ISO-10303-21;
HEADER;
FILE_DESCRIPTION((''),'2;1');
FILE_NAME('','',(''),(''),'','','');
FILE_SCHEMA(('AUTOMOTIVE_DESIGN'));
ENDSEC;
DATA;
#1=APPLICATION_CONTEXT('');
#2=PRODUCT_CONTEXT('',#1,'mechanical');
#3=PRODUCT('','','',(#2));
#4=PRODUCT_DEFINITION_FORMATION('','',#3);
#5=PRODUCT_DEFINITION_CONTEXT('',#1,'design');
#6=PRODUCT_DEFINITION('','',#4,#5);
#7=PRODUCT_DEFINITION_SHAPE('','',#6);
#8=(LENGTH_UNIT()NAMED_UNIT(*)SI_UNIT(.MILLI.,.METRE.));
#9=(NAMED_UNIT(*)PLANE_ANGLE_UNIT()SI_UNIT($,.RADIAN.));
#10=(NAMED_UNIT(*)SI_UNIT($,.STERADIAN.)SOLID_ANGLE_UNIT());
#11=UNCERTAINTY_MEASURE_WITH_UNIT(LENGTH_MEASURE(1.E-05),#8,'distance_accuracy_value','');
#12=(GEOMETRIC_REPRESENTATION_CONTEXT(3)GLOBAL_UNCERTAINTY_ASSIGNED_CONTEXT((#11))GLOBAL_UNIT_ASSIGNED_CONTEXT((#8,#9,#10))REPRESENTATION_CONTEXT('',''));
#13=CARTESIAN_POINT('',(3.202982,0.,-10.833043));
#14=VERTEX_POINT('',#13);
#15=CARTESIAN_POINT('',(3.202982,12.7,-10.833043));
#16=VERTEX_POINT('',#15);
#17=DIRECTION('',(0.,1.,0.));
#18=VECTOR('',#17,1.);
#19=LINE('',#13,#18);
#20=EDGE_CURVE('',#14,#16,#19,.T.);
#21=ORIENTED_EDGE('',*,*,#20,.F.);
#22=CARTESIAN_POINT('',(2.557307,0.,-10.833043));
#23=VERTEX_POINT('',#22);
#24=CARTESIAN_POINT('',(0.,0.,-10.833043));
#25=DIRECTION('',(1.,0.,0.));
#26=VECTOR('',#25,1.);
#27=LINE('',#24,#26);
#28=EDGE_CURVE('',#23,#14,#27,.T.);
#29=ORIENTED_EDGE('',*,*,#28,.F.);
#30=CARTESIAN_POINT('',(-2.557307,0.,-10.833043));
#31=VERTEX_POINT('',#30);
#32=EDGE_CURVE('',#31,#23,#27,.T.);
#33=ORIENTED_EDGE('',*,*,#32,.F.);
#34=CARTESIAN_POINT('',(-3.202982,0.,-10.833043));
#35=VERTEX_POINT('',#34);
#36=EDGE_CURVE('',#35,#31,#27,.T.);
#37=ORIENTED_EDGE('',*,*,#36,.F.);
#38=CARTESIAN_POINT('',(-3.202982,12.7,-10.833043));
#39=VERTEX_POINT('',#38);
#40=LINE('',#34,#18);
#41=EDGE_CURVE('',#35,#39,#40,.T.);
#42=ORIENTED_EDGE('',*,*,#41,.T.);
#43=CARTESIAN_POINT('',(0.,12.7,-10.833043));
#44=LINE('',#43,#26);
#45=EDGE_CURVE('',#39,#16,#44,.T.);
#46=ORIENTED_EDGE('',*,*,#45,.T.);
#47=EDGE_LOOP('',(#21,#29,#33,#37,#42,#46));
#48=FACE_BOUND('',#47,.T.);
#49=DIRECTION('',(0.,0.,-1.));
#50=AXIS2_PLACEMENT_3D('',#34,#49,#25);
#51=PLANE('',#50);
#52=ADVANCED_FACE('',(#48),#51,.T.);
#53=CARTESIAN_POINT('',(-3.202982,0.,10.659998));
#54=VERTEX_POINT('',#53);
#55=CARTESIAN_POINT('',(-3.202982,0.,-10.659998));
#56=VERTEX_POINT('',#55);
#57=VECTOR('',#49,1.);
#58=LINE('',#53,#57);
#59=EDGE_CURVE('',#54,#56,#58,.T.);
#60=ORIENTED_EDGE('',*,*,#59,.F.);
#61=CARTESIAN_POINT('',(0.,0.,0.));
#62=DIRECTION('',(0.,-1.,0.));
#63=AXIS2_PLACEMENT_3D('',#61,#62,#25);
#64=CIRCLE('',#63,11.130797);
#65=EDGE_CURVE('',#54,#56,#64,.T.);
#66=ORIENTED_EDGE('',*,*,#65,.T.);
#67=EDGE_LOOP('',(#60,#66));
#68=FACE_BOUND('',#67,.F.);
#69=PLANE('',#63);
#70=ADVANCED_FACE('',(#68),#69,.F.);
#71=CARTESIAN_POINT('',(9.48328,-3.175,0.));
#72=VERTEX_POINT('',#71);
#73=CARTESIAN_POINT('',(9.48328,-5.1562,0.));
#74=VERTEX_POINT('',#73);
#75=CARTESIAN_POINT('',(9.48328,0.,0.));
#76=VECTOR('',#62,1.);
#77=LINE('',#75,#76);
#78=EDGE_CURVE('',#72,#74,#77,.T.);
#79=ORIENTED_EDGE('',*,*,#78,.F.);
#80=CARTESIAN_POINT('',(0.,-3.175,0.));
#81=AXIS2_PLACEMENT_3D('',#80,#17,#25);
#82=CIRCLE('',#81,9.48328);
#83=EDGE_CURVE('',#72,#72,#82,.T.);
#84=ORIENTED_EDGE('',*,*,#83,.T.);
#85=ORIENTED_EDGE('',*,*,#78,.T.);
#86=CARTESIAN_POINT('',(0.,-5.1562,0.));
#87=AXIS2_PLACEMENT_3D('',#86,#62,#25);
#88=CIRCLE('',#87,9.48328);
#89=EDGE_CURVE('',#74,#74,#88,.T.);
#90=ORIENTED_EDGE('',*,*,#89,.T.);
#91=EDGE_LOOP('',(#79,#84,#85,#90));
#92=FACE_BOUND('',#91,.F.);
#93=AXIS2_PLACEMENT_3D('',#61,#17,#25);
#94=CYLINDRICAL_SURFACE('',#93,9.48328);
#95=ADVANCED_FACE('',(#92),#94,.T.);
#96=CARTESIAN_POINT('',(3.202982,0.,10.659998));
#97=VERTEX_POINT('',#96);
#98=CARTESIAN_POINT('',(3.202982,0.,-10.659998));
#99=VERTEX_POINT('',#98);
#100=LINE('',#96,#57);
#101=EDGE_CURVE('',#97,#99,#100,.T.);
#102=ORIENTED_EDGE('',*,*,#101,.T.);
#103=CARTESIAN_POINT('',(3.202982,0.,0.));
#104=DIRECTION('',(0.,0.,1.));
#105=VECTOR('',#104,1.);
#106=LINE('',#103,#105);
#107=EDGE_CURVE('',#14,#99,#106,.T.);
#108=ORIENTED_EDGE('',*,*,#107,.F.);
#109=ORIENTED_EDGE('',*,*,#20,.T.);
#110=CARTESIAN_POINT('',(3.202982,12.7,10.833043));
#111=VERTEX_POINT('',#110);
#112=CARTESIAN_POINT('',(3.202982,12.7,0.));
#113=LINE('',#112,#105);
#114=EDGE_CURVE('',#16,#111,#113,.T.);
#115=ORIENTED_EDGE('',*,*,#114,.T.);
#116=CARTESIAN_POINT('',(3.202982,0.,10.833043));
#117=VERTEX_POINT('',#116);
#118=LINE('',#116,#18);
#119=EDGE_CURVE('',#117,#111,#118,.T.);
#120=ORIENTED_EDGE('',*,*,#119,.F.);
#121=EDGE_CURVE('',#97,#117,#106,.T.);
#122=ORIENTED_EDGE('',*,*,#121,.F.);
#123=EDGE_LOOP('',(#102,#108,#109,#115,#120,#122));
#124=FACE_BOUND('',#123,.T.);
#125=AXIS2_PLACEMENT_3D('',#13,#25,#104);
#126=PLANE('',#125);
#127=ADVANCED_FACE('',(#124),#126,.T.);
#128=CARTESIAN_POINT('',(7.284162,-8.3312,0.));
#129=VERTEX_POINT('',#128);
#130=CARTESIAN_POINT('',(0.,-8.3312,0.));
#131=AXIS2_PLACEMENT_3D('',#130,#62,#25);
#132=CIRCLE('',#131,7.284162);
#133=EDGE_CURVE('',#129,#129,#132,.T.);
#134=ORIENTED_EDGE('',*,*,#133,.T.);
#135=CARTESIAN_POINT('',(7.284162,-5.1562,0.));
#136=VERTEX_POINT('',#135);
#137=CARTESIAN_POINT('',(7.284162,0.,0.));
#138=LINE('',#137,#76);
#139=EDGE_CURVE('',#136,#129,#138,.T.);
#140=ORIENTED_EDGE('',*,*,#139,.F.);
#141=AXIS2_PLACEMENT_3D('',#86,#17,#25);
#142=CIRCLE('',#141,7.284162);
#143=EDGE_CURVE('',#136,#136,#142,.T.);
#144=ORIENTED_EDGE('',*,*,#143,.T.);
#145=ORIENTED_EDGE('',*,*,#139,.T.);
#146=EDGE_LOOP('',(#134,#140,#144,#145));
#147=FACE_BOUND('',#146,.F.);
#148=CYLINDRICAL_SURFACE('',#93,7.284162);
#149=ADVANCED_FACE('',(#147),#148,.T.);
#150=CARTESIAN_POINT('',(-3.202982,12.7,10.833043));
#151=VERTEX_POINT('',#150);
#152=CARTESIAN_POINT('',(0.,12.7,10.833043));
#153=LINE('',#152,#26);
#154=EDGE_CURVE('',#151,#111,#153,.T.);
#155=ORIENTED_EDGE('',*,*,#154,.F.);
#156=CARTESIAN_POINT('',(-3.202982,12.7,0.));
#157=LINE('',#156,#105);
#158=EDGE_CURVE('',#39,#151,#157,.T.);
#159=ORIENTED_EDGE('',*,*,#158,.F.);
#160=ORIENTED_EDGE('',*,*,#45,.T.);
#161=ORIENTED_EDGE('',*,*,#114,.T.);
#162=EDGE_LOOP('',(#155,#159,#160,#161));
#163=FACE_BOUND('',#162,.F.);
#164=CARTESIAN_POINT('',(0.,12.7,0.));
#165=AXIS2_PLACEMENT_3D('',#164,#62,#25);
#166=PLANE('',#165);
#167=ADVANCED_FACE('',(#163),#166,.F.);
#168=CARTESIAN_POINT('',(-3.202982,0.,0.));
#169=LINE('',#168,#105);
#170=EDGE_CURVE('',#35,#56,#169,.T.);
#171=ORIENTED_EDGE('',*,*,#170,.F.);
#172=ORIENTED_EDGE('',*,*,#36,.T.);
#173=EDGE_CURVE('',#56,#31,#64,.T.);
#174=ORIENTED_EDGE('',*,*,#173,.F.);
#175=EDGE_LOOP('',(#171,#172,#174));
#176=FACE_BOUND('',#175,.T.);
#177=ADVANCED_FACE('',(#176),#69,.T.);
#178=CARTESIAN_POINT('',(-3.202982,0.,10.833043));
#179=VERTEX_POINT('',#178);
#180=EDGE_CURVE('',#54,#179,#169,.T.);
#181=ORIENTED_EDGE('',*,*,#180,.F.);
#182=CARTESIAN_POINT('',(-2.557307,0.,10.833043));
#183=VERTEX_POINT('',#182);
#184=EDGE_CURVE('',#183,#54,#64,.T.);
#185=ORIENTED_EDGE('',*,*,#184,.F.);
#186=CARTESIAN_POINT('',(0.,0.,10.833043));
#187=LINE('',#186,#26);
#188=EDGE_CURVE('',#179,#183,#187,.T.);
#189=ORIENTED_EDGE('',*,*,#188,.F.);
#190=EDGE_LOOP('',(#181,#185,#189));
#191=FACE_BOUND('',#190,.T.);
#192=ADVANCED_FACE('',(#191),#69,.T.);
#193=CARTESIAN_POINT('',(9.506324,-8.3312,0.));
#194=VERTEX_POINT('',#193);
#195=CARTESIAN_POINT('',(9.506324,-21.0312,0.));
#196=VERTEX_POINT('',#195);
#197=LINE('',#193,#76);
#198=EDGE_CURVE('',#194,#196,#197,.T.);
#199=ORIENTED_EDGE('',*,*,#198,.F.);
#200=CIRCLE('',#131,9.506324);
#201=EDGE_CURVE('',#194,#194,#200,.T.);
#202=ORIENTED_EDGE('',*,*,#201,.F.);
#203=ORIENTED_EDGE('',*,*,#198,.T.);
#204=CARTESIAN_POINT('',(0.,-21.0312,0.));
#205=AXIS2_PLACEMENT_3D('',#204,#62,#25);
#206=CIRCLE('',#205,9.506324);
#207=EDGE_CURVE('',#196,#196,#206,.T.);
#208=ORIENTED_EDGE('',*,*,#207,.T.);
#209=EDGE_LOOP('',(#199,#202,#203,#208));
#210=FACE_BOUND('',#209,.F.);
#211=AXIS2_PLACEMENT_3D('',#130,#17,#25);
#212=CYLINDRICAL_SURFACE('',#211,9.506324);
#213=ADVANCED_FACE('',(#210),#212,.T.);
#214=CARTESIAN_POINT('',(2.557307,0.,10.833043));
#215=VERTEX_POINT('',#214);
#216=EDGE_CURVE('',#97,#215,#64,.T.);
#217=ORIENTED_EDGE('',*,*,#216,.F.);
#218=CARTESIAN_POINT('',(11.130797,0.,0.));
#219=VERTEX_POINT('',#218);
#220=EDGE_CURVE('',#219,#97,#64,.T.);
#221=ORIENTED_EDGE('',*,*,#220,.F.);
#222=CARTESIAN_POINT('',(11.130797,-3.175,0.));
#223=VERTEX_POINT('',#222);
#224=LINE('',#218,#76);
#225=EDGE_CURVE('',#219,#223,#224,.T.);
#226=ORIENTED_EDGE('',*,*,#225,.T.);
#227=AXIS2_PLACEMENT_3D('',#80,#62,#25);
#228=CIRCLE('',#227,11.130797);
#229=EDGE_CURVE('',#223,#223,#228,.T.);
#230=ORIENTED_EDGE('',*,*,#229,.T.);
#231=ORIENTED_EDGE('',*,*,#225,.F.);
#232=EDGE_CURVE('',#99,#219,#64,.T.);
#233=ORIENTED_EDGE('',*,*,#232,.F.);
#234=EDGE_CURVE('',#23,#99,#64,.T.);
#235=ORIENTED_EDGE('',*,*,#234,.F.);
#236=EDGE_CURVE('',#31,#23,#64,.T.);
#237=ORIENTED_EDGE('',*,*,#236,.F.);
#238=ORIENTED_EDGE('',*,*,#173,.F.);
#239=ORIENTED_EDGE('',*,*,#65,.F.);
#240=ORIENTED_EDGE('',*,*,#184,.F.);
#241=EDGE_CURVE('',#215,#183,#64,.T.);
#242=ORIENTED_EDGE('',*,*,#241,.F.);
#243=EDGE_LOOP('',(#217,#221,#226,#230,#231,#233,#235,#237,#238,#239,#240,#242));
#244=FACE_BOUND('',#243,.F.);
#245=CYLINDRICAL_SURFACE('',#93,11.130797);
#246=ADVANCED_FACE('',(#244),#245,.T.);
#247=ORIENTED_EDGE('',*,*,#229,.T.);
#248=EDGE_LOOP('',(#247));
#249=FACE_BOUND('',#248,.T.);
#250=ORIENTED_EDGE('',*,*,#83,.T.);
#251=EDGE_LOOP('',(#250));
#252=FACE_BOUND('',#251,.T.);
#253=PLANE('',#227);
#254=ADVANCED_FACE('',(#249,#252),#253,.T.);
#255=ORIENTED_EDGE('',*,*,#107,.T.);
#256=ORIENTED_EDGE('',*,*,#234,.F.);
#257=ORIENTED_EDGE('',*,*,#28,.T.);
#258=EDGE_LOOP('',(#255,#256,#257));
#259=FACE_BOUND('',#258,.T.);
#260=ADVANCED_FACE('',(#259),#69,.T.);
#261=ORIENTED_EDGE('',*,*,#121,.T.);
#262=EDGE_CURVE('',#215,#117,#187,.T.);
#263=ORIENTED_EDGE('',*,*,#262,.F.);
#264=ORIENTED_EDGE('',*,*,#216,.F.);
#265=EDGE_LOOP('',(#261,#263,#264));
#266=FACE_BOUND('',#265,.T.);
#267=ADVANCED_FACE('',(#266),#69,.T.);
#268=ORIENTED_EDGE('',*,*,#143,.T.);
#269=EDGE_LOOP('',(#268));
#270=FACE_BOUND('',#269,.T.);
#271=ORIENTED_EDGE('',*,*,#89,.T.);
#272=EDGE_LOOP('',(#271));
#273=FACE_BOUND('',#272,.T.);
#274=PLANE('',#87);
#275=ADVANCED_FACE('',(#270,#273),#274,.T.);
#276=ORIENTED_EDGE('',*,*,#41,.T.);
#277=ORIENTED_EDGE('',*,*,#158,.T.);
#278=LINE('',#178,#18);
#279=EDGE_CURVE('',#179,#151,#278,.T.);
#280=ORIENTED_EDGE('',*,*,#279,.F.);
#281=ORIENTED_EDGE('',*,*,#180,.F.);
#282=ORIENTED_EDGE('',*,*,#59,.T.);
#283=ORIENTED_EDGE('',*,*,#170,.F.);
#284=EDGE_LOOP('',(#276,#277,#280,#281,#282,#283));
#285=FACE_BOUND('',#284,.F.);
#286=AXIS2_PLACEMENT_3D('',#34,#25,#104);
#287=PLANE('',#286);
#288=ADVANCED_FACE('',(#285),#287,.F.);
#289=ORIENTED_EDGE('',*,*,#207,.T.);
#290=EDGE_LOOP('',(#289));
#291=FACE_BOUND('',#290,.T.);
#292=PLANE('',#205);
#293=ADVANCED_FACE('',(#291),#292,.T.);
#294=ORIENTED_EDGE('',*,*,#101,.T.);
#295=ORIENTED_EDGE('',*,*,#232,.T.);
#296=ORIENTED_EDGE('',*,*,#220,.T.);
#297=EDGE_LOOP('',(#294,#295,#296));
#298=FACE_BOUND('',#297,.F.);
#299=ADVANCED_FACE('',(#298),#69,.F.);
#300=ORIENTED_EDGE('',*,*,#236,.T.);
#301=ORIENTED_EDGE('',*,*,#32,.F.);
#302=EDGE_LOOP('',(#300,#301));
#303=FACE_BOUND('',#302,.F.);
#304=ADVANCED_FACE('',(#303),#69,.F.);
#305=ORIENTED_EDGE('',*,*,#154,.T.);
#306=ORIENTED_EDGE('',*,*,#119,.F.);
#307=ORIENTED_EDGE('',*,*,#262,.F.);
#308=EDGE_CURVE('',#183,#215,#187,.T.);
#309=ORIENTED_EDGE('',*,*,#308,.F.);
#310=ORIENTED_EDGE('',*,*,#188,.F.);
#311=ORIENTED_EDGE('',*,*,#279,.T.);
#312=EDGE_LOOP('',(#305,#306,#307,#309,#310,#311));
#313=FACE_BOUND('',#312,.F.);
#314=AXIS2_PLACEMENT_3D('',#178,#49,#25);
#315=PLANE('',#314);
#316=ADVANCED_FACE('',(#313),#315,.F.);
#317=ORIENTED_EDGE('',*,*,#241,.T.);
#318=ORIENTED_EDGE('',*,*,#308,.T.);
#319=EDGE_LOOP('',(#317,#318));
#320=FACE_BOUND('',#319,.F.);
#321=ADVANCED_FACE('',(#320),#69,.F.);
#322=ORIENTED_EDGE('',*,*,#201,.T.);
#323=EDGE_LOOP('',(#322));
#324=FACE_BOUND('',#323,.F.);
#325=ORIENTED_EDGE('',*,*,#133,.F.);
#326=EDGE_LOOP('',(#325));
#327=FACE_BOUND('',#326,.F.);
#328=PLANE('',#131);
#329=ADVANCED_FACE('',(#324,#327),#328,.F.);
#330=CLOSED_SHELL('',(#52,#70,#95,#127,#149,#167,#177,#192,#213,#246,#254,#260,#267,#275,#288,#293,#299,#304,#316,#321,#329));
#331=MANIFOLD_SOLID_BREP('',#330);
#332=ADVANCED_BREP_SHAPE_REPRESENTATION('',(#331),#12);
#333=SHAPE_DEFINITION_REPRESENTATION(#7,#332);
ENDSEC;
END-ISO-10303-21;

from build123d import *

# Parameters (mm, degrees)
F0_R     = 11.130797
F1_DEPTH = 3.175
F2_W     = 6.405964
F2_H     = 21.666086
F3_DEPTH = 12.7
F4_R     = 9.48328
F5_DEPTH = 5.1562
F6_R     = 7.284162
F7_DEPTH = 8.3312
F8_R     = 9.506324
F9_DEPTH = 12.7


with BuildPart() as f1:
    # F0 (on Front) → F1 (new body)
    with BuildSketch(Plane.XZ):
        Circle(F0_R)
    extrude(amount=F1_DEPTH)

    # F2 (on Front) → F3 (join)
    with BuildSketch(Plane.XZ):
        Rectangle(F2_W, F2_H)
    extrude(amount=-F3_DEPTH)

    # F4 (on Front) → F5 (join)
    with BuildSketch(Plane.XZ):
        Circle(F4_R)
    extrude(amount=F5_DEPTH)

    # F6 (on Front) → F7 (join)
    with BuildSketch(Plane.XZ):
        Circle(F6_R)
    extrude(amount=F7_DEPTH)

    # F8 (on face) → F9 (join)
    with BuildSketch(Plane.XZ.offset(8.3312)):
        Circle(F8_R)
    extrude(amount=F9_DEPTH)


solid = f1.part
